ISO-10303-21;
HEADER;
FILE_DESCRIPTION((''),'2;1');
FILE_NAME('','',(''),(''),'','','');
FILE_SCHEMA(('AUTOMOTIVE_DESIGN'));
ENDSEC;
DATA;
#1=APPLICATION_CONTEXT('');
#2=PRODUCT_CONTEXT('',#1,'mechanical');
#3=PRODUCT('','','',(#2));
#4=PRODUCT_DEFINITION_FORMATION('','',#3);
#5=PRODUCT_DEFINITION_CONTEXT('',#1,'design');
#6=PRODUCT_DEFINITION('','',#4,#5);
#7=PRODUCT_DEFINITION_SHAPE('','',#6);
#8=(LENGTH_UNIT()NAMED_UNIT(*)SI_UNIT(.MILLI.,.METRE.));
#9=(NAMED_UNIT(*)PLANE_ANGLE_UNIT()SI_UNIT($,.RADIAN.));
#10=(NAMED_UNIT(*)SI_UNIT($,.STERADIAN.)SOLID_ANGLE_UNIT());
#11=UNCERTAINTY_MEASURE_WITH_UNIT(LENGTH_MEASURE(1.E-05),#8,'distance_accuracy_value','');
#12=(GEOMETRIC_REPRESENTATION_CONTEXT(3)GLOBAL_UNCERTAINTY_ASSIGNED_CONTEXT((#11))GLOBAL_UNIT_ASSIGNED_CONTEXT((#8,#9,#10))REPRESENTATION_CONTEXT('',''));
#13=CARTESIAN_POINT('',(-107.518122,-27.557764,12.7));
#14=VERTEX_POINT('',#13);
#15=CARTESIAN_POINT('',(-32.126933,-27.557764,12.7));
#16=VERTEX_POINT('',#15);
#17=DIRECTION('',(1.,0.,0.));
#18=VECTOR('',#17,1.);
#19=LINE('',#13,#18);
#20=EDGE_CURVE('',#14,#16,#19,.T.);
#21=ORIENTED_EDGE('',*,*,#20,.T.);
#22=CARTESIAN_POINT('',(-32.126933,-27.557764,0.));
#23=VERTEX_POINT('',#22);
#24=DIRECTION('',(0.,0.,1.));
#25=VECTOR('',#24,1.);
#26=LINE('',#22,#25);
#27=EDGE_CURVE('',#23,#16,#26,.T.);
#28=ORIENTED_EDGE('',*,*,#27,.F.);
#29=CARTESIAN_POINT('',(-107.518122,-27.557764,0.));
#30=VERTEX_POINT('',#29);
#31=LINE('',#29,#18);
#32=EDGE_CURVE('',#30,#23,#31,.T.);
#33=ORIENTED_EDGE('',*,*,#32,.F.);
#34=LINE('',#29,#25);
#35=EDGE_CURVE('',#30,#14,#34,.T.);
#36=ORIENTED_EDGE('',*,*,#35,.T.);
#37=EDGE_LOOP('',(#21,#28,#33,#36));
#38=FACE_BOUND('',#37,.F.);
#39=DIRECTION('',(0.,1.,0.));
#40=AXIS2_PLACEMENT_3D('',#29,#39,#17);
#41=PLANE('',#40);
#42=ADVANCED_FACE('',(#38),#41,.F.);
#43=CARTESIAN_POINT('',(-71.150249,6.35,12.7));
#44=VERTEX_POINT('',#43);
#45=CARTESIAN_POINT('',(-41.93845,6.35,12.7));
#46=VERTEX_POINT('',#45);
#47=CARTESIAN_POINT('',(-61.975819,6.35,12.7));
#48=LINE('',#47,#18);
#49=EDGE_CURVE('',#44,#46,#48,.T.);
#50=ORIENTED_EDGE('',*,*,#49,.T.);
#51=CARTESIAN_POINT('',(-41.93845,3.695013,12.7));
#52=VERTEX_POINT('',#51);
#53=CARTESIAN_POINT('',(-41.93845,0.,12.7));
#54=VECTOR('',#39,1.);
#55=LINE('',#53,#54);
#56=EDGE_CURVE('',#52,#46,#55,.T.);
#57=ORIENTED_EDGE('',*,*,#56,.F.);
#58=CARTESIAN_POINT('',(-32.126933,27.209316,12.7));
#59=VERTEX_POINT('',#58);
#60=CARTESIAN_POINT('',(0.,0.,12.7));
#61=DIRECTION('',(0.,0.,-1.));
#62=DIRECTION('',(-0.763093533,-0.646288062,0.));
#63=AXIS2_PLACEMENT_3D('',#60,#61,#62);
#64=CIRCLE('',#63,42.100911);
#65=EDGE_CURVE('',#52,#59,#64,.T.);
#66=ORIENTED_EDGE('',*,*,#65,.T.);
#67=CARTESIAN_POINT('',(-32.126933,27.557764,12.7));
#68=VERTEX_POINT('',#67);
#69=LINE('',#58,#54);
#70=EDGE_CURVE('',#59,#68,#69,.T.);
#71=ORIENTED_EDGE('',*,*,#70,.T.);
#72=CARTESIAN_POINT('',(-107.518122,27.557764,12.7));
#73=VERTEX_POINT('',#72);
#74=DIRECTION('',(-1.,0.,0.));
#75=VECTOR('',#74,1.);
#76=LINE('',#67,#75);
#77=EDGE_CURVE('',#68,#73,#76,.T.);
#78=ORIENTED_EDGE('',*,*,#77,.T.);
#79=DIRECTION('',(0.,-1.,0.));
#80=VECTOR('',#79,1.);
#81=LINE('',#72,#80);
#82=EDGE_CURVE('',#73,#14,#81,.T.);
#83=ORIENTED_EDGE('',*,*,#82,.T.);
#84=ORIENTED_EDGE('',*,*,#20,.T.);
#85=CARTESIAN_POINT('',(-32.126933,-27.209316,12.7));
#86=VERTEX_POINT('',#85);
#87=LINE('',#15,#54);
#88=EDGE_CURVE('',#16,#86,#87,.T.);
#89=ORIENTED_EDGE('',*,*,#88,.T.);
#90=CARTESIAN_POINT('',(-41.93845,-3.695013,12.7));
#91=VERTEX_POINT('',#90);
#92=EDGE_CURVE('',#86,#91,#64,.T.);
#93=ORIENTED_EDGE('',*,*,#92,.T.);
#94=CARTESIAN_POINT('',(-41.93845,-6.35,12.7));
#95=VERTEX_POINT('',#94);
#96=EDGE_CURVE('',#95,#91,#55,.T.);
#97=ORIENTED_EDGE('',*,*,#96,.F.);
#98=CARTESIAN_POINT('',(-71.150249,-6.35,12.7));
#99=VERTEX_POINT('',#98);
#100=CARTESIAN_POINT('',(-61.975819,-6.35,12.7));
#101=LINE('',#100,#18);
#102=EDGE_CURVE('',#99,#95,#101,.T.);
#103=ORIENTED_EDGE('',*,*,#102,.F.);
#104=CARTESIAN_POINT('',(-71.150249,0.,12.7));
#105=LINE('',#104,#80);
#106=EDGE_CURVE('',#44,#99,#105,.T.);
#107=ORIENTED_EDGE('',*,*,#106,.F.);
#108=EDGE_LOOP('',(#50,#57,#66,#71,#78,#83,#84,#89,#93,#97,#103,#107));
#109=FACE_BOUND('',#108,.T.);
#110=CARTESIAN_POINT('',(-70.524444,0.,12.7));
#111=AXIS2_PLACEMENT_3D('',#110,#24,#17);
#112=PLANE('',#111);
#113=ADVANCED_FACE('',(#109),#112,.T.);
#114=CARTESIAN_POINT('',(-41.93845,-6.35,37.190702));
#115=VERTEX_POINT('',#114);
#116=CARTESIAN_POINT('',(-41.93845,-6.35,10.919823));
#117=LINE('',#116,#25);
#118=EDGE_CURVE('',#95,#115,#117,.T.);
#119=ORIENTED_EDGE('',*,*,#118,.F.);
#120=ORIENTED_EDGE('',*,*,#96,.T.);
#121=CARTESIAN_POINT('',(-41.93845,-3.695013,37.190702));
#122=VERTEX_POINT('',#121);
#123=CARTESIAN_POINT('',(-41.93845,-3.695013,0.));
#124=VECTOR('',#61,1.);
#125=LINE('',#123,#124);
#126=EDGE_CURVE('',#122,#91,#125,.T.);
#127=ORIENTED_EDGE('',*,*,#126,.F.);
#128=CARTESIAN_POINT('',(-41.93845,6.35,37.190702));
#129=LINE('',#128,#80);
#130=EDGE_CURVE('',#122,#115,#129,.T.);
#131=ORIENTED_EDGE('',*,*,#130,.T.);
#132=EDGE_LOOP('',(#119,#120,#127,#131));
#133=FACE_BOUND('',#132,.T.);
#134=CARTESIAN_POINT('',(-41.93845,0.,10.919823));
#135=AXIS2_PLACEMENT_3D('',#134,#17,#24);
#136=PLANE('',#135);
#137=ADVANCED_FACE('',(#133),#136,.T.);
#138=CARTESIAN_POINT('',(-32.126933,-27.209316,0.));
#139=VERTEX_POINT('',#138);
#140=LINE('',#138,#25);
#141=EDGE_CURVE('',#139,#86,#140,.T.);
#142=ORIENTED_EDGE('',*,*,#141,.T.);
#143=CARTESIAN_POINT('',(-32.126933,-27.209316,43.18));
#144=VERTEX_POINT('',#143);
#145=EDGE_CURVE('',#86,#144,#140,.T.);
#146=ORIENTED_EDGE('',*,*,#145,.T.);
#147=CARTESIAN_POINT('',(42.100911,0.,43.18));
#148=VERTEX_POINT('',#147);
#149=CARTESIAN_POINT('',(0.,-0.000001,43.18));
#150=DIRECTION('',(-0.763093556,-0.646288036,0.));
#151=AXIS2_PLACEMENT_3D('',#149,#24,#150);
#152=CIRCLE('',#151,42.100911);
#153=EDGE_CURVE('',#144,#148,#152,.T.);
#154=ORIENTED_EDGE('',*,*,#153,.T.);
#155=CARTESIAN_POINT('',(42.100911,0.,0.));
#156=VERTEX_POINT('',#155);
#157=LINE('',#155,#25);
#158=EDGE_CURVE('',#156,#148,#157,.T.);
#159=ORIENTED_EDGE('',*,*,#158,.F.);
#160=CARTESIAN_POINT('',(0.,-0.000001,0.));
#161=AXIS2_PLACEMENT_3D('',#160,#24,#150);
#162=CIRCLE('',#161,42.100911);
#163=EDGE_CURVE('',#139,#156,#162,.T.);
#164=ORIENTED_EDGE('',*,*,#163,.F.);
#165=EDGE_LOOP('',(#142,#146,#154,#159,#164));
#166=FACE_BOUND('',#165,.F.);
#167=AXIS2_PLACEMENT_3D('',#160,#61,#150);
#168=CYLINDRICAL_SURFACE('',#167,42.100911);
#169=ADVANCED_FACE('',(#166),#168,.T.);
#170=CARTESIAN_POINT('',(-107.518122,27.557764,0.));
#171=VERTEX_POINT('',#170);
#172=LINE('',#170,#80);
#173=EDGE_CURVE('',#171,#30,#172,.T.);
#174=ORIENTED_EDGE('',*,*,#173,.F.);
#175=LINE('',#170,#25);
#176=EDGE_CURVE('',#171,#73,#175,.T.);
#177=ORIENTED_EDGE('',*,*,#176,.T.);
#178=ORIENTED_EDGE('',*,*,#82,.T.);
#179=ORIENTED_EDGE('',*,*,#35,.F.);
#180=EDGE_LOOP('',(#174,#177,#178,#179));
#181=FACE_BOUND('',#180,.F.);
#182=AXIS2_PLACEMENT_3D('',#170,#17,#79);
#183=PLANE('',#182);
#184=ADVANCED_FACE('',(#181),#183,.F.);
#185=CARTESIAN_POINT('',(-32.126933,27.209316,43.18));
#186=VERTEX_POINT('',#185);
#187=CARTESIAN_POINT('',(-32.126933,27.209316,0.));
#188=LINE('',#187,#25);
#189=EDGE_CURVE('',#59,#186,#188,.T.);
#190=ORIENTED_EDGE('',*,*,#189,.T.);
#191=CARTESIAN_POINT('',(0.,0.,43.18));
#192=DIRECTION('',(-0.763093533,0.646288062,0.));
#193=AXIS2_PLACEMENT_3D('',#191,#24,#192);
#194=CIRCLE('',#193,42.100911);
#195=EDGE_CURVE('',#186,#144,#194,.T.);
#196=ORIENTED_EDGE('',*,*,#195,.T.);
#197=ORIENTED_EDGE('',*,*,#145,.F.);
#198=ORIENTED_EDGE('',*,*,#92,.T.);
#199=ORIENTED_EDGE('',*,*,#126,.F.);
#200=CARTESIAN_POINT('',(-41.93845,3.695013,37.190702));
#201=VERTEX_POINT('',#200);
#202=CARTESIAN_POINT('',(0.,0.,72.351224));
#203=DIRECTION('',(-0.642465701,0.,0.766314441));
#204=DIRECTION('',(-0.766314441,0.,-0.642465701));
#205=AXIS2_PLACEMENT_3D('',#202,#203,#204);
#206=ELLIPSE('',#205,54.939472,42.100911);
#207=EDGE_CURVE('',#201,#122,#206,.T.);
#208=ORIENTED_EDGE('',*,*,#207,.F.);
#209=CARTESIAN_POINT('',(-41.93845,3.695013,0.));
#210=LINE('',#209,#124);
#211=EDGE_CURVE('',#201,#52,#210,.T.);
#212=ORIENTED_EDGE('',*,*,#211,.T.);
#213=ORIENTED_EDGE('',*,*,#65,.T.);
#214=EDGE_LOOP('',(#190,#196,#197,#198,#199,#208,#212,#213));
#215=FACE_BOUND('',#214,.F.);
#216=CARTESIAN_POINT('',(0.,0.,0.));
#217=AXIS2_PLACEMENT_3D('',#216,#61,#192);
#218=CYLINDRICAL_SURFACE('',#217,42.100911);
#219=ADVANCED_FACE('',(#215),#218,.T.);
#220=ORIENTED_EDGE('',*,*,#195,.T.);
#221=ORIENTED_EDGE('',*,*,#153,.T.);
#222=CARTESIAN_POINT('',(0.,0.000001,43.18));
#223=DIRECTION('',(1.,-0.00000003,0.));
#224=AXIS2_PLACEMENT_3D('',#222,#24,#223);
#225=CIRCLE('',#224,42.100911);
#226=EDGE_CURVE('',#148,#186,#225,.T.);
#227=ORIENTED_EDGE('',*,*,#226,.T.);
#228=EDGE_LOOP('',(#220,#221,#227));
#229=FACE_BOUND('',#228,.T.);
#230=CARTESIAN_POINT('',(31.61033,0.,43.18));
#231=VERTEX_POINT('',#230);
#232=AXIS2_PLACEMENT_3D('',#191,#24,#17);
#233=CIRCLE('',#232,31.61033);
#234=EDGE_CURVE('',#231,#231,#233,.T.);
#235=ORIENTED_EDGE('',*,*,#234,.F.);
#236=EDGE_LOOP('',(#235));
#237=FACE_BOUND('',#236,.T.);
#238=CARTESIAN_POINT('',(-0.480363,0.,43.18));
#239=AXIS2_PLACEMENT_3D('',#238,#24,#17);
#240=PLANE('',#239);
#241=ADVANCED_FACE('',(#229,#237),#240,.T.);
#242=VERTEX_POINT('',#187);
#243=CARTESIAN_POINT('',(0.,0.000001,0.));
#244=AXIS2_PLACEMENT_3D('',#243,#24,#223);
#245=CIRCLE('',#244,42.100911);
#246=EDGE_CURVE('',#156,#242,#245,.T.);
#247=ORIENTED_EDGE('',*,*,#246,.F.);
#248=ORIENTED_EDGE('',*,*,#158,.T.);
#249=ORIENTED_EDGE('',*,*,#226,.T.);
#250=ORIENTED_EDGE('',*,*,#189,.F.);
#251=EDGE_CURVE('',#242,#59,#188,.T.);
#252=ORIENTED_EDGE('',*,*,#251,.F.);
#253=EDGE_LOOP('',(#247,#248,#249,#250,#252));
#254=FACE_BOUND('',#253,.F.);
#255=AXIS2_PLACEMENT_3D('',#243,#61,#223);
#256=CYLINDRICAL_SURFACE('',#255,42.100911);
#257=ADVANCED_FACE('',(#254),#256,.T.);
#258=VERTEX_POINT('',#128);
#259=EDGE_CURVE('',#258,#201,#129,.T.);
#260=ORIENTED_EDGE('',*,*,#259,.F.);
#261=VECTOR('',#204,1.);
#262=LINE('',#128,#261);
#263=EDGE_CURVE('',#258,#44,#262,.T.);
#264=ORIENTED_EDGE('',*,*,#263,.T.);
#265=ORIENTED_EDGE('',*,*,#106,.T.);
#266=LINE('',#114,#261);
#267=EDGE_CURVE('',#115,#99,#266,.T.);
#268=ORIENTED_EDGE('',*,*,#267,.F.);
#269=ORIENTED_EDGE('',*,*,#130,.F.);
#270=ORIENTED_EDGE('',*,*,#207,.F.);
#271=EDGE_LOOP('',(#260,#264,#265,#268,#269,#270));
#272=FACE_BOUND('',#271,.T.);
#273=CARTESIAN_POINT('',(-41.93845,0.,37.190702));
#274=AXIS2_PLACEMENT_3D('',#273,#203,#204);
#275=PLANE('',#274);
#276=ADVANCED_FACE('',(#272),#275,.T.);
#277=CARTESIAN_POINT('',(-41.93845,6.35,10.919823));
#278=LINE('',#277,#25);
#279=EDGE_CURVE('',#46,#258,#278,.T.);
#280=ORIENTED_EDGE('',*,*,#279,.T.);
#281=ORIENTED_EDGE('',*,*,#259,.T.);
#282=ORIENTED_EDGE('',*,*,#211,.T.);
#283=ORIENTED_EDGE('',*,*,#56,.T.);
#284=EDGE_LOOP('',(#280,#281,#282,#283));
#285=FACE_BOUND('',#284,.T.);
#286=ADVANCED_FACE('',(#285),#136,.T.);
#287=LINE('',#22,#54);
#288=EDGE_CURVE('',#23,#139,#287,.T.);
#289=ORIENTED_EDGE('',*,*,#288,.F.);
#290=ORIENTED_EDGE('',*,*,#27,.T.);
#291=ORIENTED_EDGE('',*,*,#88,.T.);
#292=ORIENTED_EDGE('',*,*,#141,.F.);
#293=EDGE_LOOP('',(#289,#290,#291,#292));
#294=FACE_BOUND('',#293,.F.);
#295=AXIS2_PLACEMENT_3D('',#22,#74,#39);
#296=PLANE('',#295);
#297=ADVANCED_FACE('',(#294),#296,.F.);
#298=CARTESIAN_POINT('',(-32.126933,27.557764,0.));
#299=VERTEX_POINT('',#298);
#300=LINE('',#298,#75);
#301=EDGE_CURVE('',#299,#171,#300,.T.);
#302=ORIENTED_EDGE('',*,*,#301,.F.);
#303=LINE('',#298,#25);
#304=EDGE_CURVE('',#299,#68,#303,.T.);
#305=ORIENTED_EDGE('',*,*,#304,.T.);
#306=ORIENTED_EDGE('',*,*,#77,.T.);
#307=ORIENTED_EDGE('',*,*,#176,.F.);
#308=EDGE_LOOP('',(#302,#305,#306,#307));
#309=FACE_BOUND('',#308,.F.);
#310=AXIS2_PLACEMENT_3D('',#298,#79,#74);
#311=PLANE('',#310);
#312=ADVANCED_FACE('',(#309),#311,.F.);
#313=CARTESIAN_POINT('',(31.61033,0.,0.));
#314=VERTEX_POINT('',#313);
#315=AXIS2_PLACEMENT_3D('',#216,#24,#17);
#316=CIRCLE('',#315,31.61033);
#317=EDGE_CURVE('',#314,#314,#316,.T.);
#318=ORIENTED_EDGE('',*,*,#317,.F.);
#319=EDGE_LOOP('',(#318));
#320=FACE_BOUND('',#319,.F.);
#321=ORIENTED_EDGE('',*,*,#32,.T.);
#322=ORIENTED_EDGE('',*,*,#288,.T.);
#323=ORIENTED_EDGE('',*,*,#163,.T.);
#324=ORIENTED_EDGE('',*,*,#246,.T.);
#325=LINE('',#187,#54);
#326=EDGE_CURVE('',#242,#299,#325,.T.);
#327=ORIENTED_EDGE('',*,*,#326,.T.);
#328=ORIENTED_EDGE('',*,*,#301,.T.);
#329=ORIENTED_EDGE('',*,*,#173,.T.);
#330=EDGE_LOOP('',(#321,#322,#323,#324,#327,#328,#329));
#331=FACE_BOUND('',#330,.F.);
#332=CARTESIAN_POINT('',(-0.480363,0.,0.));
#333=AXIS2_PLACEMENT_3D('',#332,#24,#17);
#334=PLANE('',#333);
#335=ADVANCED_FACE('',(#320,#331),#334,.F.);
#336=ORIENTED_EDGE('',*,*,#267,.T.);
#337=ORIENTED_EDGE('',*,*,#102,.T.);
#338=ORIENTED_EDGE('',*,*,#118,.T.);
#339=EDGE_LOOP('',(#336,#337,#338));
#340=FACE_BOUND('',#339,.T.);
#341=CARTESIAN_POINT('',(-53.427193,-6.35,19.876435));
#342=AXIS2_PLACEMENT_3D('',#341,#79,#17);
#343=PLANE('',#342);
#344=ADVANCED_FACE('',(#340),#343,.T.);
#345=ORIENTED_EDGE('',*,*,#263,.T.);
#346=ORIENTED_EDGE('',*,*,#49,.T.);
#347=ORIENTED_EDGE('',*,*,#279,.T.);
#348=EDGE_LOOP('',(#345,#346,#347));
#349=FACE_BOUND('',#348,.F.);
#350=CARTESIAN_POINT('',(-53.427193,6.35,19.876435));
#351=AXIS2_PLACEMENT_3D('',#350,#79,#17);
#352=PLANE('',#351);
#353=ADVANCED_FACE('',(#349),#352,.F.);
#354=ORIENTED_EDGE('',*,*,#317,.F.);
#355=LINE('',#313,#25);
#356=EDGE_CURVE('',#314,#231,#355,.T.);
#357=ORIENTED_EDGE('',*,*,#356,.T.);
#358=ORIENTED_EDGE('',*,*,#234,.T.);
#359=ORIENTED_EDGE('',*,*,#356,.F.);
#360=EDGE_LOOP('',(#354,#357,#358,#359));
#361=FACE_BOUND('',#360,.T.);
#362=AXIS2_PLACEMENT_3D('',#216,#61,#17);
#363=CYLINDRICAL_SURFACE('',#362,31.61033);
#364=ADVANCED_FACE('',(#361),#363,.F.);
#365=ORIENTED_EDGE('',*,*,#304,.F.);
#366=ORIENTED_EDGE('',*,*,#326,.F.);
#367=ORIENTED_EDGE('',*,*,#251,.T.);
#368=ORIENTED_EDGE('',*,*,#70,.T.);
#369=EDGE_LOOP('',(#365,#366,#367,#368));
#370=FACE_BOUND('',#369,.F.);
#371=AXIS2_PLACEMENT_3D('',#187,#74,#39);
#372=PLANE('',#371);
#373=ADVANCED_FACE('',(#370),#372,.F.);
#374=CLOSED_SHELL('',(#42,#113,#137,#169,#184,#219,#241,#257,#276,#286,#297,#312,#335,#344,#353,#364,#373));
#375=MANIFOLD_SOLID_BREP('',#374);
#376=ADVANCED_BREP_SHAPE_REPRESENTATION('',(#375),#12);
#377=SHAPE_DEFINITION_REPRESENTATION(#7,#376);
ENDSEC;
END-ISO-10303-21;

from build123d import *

# Parameters (mm, degrees)
F1_DEPTH = 12.7
F0_R     = 31.61033
F2_DEPTH = 43.18
F4_DEPTH = 6.35


with BuildPart() as f1:
    # F0 (on Top) → F1 (new body)
    with BuildSketch(Plane.XY):
        with BuildLine():
            Line((-32.126933, 27.557764), (-107.518122, 27.557764))
            Line((-107.518122, 27.557764), (-107.518122, -27.557764))
            Line((-107.518122, -27.557764), (-32.126933, -27.557764))
            Line((-32.126933, -27.557764), (-32.126933, -27.209316))
            ThreePointArc((-32.126933, -27.209316), (-42.100911, 0), (-32.126933, 27.209316))
            Line((-32.126933, 27.209316), (-32.126933, 27.557764))
        make_face()
    extrude(amount=F1_DEPTH)

    # F0 (on Top) → F2 (join)
    with BuildSketch(Plane.XY):
        with BuildLine():
            ThreePointArc((42.100911, 0), (14.489886, 39.52885), (-32.126933, 27.209316))
            ThreePointArc((-32.126933, 27.209316), (-42.100911, 0), (-32.126933, -27.209316))
            ThreePointArc((-32.126933, -27.209316), (14.489886, -39.52885), (42.100911, 0))
        make_face()
        Circle(F0_R, mode=Mode.SUBTRACT)
    extrude(amount=F2_DEPTH)

    # F3 (on Front) → F4 (join, symmetric)
    with BuildSketch(Plane.XZ):
        Polygon((-41.93845, 10.919823), (-41.93845, 37.190702), (-73.273592, 10.919823), align=None)
    extrude(amount=F4_DEPTH, both=True)


solid = f1.part
